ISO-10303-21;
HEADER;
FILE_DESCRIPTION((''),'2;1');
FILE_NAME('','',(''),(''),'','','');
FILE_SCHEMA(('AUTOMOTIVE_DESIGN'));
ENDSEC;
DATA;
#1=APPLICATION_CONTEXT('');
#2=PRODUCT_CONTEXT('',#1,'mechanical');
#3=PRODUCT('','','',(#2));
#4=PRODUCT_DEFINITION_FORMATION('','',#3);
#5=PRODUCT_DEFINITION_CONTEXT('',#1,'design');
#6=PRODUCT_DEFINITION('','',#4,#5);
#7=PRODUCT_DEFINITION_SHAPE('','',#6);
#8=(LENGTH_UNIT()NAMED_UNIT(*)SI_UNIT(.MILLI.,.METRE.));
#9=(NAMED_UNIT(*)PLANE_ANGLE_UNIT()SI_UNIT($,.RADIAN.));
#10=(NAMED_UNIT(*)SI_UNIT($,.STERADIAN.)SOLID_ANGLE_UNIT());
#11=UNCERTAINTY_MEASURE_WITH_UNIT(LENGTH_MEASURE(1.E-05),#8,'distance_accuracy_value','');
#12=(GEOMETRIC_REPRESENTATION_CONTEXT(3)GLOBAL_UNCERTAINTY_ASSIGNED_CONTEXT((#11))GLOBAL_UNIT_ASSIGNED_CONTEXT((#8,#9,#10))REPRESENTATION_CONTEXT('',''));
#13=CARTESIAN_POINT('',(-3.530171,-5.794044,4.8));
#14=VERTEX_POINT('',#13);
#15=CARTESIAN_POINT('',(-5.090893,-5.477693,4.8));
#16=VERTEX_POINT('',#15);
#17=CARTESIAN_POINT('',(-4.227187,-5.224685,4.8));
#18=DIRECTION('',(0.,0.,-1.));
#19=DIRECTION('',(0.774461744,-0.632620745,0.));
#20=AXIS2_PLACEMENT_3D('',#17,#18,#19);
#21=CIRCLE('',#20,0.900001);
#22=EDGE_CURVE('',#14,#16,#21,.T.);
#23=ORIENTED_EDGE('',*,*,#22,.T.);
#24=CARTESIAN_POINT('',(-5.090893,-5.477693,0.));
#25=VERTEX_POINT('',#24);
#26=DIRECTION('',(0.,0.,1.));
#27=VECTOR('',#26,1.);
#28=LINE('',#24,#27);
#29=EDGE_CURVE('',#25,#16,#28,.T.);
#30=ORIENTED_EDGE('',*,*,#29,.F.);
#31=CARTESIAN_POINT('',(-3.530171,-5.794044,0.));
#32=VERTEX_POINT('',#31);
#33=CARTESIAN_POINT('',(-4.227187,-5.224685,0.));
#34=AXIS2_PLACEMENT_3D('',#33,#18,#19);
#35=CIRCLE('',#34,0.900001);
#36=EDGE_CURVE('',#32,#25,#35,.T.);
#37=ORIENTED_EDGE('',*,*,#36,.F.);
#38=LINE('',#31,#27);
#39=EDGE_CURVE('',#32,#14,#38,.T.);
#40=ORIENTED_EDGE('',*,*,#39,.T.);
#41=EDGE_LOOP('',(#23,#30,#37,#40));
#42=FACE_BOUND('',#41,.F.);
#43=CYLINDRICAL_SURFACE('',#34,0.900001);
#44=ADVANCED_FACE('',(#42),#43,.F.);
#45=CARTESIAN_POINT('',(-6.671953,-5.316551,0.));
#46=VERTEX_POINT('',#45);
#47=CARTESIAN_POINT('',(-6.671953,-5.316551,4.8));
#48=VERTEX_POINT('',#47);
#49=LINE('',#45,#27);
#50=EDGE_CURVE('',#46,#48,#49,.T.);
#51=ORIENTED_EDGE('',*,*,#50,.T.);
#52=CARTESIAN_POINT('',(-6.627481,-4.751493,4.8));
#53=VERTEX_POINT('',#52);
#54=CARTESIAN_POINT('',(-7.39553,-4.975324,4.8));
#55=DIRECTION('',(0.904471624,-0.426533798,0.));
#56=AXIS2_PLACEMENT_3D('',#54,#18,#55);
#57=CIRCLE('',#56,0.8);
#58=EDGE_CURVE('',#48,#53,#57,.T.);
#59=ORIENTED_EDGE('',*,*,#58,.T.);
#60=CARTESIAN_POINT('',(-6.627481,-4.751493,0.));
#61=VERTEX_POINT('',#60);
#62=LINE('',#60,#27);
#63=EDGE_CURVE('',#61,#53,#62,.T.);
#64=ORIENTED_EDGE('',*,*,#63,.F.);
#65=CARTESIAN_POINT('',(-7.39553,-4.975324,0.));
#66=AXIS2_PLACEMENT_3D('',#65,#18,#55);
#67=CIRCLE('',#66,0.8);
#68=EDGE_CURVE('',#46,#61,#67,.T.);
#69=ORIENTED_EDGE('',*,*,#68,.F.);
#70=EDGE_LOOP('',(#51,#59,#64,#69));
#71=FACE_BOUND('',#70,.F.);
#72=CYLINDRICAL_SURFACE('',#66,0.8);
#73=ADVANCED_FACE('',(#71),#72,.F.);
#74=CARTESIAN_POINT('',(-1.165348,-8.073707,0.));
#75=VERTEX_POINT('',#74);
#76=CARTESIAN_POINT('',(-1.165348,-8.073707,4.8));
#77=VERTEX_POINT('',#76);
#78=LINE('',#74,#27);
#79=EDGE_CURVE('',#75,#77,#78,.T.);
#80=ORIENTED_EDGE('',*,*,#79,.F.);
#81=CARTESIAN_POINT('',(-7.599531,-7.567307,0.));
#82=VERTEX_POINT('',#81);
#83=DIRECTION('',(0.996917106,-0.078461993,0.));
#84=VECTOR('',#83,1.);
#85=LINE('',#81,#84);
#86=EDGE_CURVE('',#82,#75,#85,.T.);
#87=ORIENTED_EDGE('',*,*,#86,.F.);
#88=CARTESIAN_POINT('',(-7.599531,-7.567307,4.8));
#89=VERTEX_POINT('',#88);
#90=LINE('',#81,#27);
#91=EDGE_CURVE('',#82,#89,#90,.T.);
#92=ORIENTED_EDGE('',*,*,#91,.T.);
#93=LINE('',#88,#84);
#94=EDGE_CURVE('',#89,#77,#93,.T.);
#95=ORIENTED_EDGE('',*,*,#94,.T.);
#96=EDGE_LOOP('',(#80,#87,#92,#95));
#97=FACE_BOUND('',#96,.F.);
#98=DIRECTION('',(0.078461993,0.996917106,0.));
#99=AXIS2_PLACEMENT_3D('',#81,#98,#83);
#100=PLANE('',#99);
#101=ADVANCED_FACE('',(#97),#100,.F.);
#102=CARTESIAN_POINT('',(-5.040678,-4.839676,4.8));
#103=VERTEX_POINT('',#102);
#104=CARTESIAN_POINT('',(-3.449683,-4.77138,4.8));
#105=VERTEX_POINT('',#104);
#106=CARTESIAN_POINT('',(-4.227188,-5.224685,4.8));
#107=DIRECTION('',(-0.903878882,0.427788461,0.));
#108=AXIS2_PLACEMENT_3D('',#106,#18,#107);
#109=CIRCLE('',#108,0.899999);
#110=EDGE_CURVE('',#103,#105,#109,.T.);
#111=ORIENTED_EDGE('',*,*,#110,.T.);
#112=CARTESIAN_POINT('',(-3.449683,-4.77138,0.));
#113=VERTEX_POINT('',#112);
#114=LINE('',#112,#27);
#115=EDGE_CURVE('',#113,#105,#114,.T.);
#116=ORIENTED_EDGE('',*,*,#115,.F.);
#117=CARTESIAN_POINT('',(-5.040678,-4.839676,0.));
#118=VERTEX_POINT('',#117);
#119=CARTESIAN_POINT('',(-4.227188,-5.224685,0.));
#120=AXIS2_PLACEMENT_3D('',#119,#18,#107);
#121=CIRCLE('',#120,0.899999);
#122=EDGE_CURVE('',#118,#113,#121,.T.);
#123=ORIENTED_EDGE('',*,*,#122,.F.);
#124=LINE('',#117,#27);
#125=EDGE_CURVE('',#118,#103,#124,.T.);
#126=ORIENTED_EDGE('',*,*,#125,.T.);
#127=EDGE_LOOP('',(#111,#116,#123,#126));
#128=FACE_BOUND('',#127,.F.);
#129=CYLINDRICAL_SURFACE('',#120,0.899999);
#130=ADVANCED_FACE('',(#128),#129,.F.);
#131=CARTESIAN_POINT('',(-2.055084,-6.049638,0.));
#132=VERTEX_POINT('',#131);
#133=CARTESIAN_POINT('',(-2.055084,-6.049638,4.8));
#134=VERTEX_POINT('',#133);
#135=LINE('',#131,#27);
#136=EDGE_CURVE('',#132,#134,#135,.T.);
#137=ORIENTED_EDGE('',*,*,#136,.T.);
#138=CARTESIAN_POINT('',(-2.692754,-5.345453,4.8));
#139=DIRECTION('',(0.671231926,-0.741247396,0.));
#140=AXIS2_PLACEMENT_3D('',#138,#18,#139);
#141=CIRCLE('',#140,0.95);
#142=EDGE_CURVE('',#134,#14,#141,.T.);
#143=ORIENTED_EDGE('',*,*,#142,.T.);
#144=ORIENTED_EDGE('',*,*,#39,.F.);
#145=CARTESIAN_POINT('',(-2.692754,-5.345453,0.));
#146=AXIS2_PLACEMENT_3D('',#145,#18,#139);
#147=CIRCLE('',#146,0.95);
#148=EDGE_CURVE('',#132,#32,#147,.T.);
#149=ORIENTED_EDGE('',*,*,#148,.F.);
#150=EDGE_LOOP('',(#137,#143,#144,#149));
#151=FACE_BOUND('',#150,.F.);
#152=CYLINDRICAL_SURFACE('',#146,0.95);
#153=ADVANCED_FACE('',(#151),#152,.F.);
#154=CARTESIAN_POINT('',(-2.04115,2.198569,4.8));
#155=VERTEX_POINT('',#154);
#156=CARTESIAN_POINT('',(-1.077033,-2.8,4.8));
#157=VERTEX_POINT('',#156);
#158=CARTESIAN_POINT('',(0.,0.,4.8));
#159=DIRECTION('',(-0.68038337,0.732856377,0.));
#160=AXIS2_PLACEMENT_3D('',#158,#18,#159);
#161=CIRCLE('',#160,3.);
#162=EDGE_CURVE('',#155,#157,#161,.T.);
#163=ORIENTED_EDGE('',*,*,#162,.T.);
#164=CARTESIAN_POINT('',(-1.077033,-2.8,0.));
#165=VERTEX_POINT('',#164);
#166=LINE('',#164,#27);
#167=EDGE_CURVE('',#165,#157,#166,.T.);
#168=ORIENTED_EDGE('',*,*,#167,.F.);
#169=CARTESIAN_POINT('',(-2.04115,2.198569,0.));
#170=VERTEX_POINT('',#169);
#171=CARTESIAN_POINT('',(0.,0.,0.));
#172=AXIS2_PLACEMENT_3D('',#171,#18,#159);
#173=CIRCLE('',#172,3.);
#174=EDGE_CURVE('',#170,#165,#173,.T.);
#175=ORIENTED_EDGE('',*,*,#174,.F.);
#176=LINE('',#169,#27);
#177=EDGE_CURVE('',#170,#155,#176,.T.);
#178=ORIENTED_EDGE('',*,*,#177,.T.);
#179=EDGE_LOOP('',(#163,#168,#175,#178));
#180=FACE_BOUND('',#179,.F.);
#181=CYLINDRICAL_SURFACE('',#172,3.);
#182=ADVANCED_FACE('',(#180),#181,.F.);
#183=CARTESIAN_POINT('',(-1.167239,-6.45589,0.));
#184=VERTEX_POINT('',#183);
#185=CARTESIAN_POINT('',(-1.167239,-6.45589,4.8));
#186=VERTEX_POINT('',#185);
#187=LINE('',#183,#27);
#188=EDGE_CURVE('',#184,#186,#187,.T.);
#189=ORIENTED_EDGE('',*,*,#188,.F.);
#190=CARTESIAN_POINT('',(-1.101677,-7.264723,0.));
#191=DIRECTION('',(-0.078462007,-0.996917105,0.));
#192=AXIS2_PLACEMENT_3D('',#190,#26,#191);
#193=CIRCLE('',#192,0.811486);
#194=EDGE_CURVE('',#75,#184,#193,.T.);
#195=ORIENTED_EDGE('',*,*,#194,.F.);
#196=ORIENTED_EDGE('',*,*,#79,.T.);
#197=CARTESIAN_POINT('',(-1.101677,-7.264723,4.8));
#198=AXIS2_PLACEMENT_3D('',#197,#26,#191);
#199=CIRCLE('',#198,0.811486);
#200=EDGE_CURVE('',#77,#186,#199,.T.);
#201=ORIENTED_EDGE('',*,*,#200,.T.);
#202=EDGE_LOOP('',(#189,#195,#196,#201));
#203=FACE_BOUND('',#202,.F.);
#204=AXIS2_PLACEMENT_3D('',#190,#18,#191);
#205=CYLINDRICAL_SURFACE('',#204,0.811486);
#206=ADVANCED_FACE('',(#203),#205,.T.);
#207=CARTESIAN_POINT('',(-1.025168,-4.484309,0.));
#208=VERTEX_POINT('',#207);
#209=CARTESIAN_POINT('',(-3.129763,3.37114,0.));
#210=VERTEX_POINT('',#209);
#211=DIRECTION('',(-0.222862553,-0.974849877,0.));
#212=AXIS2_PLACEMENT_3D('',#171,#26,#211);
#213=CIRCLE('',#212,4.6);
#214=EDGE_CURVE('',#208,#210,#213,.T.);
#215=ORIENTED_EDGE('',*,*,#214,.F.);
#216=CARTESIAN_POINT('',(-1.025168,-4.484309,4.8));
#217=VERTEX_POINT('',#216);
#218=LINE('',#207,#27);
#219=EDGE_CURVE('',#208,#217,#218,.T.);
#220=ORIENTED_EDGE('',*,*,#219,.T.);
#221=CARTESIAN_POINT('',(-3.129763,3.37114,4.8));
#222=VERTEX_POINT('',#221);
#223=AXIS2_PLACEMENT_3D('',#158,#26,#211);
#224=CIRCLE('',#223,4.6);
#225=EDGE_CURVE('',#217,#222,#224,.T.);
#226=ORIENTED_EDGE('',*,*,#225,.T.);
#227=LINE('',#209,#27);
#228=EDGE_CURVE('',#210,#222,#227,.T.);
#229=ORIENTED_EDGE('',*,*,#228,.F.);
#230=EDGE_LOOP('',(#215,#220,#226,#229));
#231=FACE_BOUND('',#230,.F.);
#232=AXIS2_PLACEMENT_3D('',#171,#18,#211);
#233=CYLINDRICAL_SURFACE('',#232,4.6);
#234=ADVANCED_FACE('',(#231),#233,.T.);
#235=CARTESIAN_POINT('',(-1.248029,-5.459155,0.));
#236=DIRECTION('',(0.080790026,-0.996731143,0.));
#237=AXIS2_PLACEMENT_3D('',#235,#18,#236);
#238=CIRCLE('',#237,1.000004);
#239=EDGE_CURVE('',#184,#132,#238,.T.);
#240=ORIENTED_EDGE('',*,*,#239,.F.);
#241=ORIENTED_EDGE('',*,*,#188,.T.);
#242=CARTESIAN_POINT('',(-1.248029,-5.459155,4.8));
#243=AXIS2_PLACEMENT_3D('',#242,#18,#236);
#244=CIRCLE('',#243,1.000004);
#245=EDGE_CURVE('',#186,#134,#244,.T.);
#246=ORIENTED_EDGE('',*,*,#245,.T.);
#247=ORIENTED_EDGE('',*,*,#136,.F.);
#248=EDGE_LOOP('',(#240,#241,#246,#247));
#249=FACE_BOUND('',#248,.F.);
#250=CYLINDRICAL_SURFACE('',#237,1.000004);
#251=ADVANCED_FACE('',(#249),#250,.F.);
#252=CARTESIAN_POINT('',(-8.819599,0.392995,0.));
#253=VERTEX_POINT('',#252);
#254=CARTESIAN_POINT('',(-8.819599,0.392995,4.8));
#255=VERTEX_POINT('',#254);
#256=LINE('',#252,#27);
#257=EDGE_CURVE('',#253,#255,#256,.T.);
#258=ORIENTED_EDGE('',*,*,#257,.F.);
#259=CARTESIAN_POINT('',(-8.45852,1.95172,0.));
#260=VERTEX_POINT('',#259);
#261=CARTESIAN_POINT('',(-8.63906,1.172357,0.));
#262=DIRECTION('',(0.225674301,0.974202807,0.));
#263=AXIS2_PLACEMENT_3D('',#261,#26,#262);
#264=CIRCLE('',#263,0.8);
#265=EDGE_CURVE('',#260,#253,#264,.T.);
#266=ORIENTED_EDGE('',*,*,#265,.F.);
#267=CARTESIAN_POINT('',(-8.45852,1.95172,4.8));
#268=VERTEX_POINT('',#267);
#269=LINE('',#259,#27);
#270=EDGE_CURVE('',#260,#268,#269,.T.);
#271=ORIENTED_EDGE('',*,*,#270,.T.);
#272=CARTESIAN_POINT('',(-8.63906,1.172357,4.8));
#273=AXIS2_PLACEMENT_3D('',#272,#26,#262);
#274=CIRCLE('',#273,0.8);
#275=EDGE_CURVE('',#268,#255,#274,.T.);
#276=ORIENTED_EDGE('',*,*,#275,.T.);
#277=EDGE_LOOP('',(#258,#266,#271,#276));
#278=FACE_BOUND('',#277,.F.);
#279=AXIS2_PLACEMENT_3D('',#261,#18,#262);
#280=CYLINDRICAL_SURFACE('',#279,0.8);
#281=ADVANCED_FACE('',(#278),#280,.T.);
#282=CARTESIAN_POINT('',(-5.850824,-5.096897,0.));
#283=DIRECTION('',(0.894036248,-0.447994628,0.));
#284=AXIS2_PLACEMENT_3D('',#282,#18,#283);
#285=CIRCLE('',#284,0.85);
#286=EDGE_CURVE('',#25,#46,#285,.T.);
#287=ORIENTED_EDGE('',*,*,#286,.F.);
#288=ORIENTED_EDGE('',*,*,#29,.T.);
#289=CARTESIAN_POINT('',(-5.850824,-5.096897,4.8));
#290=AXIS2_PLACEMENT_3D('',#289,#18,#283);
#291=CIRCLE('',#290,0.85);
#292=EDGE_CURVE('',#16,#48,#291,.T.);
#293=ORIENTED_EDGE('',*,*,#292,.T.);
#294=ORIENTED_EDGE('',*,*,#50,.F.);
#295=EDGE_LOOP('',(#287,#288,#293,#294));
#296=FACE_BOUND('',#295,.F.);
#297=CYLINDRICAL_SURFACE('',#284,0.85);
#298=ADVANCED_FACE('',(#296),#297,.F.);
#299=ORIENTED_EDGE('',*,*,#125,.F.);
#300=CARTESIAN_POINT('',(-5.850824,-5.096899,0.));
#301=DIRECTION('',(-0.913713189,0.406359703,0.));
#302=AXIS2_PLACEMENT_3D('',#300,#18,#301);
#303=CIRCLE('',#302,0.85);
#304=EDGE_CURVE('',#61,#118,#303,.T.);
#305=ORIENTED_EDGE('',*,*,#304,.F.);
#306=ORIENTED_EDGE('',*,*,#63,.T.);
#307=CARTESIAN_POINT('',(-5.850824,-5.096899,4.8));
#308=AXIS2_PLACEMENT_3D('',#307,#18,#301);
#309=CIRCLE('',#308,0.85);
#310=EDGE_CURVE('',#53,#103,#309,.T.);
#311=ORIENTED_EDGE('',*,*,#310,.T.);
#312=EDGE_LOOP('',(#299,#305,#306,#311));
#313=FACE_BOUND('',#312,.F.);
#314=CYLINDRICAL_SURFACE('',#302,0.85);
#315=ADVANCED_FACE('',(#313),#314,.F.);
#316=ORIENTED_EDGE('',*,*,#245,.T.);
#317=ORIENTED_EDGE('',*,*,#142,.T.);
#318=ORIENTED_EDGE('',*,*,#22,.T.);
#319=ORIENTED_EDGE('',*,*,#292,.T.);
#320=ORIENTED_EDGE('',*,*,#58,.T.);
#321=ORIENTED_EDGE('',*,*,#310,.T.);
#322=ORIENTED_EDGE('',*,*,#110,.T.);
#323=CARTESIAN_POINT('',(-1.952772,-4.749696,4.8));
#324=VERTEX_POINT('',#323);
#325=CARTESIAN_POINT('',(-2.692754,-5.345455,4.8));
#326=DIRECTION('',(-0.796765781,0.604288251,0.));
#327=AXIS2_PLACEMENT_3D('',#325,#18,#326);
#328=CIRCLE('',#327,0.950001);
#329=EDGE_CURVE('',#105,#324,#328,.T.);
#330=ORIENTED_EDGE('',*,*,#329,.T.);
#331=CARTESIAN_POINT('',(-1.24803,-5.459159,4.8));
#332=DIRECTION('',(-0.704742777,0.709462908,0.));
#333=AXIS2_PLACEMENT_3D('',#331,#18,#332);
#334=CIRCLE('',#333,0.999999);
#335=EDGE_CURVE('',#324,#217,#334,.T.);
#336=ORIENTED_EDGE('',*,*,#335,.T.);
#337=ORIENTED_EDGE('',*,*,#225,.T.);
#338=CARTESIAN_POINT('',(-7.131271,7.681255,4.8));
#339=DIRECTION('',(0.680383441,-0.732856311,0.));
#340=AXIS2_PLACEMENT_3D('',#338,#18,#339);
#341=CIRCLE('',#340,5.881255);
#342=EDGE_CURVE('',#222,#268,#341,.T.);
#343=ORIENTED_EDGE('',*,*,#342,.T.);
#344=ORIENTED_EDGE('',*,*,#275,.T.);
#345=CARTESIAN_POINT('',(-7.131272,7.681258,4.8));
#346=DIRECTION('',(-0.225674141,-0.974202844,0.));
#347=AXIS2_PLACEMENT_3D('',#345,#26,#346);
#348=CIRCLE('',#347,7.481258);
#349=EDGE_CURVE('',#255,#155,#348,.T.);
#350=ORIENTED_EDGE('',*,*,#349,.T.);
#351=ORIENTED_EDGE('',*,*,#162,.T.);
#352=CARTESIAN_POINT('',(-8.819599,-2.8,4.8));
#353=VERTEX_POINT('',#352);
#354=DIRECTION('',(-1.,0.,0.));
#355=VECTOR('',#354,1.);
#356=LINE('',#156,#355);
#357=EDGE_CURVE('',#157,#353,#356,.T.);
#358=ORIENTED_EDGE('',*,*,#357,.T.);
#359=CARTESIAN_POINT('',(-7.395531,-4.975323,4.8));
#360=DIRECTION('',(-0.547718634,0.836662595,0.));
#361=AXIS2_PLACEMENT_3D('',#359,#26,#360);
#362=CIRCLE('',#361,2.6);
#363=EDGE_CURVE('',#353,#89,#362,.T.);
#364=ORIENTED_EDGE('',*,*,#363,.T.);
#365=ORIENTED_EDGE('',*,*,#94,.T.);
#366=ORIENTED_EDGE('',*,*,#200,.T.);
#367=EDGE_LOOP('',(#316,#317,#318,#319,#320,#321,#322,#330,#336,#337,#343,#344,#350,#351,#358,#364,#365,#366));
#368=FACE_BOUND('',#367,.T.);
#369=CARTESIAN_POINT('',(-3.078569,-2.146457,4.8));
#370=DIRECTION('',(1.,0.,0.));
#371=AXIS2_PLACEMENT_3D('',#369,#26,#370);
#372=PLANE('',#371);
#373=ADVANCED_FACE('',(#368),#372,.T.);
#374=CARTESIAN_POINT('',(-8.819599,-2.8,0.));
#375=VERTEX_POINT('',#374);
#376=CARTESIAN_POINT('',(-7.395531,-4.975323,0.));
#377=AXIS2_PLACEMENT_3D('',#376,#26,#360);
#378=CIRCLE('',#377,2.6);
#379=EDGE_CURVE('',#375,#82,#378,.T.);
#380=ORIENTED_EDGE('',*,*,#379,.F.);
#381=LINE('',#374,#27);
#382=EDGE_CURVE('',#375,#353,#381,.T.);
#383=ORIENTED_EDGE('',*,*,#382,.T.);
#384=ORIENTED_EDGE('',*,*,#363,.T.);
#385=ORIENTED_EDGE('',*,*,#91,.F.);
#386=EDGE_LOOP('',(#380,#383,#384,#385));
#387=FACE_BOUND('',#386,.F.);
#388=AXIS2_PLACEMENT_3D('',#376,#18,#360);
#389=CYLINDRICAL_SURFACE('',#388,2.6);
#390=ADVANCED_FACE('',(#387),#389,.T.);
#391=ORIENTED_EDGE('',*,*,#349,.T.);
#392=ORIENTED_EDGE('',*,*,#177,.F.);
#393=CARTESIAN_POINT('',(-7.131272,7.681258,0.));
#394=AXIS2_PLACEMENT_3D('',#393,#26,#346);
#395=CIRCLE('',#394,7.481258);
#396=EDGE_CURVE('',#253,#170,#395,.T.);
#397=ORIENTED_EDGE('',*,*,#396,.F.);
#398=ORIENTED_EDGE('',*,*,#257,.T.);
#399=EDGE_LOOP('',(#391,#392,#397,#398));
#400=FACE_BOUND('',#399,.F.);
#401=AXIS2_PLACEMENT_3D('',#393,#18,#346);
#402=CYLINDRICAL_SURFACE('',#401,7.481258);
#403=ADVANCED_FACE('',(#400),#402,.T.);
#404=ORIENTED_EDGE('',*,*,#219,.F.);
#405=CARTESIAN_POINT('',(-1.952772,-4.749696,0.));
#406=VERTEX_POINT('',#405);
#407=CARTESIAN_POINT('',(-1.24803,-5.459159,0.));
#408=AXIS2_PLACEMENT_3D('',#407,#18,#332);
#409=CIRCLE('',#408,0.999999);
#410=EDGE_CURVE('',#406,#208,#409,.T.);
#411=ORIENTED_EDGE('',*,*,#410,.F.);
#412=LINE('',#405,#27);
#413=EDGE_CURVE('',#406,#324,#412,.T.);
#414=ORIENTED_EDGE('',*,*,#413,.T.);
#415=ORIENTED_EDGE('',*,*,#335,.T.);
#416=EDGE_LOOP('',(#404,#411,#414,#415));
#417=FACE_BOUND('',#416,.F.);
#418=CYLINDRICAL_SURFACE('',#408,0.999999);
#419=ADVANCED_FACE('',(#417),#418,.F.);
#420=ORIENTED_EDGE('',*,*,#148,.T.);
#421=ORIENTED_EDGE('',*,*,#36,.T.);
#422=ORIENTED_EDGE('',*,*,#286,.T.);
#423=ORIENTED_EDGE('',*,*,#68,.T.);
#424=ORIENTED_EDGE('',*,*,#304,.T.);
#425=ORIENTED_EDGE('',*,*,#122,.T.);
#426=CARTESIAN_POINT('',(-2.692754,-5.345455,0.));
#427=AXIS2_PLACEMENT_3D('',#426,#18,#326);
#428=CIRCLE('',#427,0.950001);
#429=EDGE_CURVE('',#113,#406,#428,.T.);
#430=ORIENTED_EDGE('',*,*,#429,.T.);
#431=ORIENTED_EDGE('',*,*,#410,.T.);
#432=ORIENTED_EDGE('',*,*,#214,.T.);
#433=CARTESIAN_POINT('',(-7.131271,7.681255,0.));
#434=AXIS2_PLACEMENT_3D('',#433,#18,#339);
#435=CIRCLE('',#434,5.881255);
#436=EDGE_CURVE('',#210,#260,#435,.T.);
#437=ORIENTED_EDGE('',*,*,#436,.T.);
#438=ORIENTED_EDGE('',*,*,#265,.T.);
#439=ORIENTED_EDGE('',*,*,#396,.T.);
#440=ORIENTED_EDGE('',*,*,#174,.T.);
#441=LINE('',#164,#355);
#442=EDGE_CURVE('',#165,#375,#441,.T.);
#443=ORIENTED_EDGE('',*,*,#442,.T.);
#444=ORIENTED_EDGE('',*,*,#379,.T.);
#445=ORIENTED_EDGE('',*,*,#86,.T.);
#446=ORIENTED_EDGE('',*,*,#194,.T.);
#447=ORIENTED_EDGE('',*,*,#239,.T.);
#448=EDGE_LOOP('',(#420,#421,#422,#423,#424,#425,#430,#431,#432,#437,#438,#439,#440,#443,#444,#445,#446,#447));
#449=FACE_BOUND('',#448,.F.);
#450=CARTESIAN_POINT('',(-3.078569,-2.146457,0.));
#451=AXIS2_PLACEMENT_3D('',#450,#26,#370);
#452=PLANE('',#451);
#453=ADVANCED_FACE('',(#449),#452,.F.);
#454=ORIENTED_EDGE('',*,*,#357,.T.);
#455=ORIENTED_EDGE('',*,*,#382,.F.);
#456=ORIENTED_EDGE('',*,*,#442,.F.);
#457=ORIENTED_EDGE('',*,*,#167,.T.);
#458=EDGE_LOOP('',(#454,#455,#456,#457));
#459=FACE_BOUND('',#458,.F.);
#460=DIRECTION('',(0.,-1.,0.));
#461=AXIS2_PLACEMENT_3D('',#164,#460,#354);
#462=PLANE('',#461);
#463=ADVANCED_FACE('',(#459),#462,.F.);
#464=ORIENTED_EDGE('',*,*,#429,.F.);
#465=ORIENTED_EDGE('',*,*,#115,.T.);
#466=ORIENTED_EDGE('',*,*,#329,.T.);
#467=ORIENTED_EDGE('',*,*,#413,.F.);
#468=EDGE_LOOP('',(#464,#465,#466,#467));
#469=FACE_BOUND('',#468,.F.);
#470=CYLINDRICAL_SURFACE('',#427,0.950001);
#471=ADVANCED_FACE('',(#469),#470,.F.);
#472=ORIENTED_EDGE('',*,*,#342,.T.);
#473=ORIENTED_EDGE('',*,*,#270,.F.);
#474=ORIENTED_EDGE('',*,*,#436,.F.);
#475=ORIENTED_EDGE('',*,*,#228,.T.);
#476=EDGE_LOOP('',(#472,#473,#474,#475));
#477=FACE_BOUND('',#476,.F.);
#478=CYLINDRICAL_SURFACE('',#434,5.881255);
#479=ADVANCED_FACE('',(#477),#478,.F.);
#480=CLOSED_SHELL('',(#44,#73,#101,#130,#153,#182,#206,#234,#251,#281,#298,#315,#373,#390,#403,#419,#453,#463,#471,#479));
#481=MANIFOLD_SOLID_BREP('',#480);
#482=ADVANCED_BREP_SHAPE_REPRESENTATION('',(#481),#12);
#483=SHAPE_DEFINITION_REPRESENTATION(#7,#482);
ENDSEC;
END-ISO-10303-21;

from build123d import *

# Parameters (mm, degrees)
F1_DEPTH = 4.8


with BuildPart() as f1:
    # F0 (on Top) → F1 (new body)
    with BuildSketch(Plane.XY):
        with BuildLine():
            ThreePointArc((-2.04115, 2.198569), (2.945707, 0.568164), (-1.077033, -2.8))
            Line((-1.077033, -2.8), (-8.819599, -2.8))
            ThreePointArc((-8.819599, -2.8), (-9.914351, -5.619949), (-7.599531, -7.567307))
            Line((-7.599531, -7.567307), (-1.165348, -8.073707))
            ThreePointArc((-1.165348, -8.073707), (-0.290192, -7.263775), (-1.167239, -6.45589))
            ThreePointArc((-1.167239, -6.45589), (-1.664112, -6.368486), (-2.055084, -6.049638))
            ThreePointArc((-2.055084, -6.049638), (-2.854948, -6.281505), (-3.530171, -5.794044))
            ThreePointArc((-3.530171, -5.794044), (-4.405977, -6.106748), (-5.090893, -5.477693))
            ThreePointArc((-5.090893, -5.477693), (-5.93701, -5.942517), (-6.671953, -5.316551))
            ThreePointArc((-6.671953, -5.316551), (-8.193064, -4.912553), (-6.627481, -4.751493))
            ThreePointArc((-6.627481, -4.751493), (-5.80366, -4.248208), (-5.040678, -4.839676))
            ThreePointArc((-5.040678, -4.839676), (-4.265786, -4.325514), (-3.449683, -4.77138))
            ThreePointArc((-3.449683, -4.77138), (-2.706515, -4.395553), (-1.952772, -4.749696))
            ThreePointArc((-1.952772, -4.749696), (-1.523093, -4.497733), (-1.025168, -4.484309))
            ThreePointArc((-1.025168, -4.484309), (4.443296, 1.190427), (-3.129763, 3.37114))
            ThreePointArc((-3.129763, 3.37114), (-5.617467, 1.998161), (-8.45852, 1.95172))
            ThreePointArc((-8.45852, 1.95172), (-9.418422, 1.352897), (-8.819599, 0.392995))
            ThreePointArc((-8.819599, 0.392995), (-5.205635, 0.452071), (-2.04115, 2.198569))
        make_face()
    extrude(amount=F1_DEPTH)


solid = f1.part
